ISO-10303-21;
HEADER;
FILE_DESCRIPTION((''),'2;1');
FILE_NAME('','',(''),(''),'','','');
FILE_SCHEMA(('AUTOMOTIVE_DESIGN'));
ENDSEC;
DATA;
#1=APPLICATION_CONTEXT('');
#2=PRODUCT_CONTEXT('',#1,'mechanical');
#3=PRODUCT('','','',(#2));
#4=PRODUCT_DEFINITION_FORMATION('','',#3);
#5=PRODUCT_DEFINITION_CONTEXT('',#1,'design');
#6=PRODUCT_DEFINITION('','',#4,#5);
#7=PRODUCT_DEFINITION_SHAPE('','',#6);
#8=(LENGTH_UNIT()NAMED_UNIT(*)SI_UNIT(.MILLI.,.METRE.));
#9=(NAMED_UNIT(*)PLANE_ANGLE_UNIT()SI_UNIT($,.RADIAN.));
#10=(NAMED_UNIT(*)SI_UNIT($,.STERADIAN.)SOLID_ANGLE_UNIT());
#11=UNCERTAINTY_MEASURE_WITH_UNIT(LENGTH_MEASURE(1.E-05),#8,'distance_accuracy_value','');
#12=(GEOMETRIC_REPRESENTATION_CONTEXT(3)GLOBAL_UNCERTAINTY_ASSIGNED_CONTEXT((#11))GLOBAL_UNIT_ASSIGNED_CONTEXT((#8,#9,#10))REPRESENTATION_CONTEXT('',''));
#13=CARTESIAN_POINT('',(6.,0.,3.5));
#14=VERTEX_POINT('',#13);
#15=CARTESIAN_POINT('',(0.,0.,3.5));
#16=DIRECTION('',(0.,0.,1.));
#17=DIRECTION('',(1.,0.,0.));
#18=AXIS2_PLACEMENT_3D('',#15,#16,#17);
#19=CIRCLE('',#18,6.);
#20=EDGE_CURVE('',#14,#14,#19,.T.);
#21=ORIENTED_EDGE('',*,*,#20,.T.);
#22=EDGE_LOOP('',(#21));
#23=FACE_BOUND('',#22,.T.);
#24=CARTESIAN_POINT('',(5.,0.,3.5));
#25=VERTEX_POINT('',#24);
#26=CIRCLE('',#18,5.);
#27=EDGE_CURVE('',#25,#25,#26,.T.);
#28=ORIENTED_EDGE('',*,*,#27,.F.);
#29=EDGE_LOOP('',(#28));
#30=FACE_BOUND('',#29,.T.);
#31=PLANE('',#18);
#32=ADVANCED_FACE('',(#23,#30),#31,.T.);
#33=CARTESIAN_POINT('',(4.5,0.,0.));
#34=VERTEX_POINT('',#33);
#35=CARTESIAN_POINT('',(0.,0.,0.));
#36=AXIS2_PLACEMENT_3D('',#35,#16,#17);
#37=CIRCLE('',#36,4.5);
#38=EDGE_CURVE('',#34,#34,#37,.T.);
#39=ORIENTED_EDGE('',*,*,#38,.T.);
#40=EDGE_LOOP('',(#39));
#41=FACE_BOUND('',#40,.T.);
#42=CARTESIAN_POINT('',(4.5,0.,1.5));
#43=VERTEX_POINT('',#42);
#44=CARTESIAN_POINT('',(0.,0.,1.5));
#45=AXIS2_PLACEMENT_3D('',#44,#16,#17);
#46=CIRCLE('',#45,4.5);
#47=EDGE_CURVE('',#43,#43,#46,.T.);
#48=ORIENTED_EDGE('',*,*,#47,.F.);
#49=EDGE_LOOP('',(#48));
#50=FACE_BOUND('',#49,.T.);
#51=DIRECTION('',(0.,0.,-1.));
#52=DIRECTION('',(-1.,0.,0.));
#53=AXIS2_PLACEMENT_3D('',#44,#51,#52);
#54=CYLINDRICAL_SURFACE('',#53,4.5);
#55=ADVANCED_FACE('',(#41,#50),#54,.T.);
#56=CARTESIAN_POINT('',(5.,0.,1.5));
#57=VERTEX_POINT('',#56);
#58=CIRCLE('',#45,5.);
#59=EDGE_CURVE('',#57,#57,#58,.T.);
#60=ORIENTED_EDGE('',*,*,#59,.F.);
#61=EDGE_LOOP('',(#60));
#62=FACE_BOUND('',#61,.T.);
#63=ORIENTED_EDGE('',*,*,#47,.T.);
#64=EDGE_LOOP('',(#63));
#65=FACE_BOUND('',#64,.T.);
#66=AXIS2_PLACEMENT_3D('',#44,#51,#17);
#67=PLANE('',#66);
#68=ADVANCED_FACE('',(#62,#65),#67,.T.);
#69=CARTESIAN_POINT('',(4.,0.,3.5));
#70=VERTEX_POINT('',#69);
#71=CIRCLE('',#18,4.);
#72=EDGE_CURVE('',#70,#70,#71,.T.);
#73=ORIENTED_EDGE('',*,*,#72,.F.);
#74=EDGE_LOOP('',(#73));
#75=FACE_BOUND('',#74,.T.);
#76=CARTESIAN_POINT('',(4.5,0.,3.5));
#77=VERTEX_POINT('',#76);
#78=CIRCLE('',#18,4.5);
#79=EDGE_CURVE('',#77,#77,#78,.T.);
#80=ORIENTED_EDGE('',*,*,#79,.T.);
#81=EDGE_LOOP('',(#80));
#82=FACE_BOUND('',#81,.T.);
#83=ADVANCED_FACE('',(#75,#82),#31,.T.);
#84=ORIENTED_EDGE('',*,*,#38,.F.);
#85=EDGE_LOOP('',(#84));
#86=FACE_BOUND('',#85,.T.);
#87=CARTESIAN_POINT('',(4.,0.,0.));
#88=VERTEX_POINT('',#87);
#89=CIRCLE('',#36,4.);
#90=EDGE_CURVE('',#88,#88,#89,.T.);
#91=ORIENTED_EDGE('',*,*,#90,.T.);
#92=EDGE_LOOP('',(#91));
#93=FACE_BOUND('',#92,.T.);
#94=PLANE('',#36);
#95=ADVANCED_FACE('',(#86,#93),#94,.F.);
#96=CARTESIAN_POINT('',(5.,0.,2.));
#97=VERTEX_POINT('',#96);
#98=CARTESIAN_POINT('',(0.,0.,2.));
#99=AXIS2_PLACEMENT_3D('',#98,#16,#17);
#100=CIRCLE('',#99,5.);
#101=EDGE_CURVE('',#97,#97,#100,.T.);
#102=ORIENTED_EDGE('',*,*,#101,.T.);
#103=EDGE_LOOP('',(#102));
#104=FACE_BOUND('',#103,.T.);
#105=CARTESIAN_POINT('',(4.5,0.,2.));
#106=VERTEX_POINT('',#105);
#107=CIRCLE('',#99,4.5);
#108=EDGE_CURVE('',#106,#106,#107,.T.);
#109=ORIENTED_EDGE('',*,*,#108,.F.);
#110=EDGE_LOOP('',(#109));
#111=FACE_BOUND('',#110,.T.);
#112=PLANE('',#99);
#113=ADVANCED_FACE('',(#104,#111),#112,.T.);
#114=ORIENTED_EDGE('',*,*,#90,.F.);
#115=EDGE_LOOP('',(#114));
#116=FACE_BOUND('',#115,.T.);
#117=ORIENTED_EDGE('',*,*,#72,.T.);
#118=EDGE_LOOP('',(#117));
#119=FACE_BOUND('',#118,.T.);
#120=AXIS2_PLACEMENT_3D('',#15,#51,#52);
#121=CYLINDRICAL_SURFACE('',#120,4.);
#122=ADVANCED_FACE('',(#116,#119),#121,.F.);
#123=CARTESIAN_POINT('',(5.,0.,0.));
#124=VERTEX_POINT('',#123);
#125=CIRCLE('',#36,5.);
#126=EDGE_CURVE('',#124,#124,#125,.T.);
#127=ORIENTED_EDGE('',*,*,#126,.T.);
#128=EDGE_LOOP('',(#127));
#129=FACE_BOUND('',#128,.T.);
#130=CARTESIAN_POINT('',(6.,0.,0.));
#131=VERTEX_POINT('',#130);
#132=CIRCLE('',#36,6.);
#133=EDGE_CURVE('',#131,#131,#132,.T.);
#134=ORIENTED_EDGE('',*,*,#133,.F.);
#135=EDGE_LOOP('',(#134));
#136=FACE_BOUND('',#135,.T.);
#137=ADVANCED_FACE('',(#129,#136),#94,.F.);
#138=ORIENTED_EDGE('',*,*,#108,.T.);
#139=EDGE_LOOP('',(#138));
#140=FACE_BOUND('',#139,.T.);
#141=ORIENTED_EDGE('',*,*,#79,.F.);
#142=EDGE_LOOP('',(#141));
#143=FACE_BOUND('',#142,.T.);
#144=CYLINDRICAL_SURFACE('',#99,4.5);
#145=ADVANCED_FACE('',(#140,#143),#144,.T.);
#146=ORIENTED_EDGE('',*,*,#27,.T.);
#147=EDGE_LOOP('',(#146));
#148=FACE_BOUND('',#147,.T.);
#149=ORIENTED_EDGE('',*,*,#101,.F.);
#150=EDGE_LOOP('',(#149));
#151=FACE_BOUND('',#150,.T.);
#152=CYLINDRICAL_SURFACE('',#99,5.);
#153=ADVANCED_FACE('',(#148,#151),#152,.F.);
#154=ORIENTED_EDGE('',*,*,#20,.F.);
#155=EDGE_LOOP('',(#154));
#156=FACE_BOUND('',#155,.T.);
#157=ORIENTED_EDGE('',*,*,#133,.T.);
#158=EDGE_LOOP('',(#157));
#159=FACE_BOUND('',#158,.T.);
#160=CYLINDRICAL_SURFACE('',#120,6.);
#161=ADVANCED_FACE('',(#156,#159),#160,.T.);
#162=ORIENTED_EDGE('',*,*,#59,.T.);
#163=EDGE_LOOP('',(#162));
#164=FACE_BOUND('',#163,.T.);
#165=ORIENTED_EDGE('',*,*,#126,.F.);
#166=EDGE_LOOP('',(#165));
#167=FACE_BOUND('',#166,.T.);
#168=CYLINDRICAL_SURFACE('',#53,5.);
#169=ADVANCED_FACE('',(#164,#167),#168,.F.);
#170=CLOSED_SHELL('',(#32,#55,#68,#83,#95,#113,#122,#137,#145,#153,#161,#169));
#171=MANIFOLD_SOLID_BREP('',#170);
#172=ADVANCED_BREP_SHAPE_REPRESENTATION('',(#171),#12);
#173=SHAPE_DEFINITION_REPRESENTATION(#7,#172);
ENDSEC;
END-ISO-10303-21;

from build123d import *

# Parameters (mm, degrees)
SKETCH_1_R          = 6
SKETCH_1_R_2        = 4
EXTRUDE_1_DEPTH     = 3.5
SKETCH_2_R          = 5
SKETCH_2_R_2        = 4.5
CUT_EXTRUDE_1_DEPTH = 1.5


with BuildPart() as part:
    # 草图1 → 凸台-拉伸1 (new body)
    with BuildSketch(Plane.XY):
        Circle(SKETCH_1_R)
        Circle(SKETCH_1_R_2, mode=Mode.SUBTRACT)
    extrude(amount=EXTRUDE_1_DEPTH)

    # 草图2 → 切除-拉伸1 (cut)
    with BuildSketch(Plane.XY.offset(3.5)):
        Circle(SKETCH_2_R)
        Circle(SKETCH_2_R_2, mode=Mode.SUBTRACT)
    cut_extrude_1 = extrude(amount=-CUT_EXTRUDE_1_DEPTH, mode=Mode.SUBTRACT)

    # 镜向1: 切除-拉伸1 across plane
    add(cut_extrude_1.mirror(Plane.XY.offset(1.75)), mode=Mode.SUBTRACT)


solid = part.part
